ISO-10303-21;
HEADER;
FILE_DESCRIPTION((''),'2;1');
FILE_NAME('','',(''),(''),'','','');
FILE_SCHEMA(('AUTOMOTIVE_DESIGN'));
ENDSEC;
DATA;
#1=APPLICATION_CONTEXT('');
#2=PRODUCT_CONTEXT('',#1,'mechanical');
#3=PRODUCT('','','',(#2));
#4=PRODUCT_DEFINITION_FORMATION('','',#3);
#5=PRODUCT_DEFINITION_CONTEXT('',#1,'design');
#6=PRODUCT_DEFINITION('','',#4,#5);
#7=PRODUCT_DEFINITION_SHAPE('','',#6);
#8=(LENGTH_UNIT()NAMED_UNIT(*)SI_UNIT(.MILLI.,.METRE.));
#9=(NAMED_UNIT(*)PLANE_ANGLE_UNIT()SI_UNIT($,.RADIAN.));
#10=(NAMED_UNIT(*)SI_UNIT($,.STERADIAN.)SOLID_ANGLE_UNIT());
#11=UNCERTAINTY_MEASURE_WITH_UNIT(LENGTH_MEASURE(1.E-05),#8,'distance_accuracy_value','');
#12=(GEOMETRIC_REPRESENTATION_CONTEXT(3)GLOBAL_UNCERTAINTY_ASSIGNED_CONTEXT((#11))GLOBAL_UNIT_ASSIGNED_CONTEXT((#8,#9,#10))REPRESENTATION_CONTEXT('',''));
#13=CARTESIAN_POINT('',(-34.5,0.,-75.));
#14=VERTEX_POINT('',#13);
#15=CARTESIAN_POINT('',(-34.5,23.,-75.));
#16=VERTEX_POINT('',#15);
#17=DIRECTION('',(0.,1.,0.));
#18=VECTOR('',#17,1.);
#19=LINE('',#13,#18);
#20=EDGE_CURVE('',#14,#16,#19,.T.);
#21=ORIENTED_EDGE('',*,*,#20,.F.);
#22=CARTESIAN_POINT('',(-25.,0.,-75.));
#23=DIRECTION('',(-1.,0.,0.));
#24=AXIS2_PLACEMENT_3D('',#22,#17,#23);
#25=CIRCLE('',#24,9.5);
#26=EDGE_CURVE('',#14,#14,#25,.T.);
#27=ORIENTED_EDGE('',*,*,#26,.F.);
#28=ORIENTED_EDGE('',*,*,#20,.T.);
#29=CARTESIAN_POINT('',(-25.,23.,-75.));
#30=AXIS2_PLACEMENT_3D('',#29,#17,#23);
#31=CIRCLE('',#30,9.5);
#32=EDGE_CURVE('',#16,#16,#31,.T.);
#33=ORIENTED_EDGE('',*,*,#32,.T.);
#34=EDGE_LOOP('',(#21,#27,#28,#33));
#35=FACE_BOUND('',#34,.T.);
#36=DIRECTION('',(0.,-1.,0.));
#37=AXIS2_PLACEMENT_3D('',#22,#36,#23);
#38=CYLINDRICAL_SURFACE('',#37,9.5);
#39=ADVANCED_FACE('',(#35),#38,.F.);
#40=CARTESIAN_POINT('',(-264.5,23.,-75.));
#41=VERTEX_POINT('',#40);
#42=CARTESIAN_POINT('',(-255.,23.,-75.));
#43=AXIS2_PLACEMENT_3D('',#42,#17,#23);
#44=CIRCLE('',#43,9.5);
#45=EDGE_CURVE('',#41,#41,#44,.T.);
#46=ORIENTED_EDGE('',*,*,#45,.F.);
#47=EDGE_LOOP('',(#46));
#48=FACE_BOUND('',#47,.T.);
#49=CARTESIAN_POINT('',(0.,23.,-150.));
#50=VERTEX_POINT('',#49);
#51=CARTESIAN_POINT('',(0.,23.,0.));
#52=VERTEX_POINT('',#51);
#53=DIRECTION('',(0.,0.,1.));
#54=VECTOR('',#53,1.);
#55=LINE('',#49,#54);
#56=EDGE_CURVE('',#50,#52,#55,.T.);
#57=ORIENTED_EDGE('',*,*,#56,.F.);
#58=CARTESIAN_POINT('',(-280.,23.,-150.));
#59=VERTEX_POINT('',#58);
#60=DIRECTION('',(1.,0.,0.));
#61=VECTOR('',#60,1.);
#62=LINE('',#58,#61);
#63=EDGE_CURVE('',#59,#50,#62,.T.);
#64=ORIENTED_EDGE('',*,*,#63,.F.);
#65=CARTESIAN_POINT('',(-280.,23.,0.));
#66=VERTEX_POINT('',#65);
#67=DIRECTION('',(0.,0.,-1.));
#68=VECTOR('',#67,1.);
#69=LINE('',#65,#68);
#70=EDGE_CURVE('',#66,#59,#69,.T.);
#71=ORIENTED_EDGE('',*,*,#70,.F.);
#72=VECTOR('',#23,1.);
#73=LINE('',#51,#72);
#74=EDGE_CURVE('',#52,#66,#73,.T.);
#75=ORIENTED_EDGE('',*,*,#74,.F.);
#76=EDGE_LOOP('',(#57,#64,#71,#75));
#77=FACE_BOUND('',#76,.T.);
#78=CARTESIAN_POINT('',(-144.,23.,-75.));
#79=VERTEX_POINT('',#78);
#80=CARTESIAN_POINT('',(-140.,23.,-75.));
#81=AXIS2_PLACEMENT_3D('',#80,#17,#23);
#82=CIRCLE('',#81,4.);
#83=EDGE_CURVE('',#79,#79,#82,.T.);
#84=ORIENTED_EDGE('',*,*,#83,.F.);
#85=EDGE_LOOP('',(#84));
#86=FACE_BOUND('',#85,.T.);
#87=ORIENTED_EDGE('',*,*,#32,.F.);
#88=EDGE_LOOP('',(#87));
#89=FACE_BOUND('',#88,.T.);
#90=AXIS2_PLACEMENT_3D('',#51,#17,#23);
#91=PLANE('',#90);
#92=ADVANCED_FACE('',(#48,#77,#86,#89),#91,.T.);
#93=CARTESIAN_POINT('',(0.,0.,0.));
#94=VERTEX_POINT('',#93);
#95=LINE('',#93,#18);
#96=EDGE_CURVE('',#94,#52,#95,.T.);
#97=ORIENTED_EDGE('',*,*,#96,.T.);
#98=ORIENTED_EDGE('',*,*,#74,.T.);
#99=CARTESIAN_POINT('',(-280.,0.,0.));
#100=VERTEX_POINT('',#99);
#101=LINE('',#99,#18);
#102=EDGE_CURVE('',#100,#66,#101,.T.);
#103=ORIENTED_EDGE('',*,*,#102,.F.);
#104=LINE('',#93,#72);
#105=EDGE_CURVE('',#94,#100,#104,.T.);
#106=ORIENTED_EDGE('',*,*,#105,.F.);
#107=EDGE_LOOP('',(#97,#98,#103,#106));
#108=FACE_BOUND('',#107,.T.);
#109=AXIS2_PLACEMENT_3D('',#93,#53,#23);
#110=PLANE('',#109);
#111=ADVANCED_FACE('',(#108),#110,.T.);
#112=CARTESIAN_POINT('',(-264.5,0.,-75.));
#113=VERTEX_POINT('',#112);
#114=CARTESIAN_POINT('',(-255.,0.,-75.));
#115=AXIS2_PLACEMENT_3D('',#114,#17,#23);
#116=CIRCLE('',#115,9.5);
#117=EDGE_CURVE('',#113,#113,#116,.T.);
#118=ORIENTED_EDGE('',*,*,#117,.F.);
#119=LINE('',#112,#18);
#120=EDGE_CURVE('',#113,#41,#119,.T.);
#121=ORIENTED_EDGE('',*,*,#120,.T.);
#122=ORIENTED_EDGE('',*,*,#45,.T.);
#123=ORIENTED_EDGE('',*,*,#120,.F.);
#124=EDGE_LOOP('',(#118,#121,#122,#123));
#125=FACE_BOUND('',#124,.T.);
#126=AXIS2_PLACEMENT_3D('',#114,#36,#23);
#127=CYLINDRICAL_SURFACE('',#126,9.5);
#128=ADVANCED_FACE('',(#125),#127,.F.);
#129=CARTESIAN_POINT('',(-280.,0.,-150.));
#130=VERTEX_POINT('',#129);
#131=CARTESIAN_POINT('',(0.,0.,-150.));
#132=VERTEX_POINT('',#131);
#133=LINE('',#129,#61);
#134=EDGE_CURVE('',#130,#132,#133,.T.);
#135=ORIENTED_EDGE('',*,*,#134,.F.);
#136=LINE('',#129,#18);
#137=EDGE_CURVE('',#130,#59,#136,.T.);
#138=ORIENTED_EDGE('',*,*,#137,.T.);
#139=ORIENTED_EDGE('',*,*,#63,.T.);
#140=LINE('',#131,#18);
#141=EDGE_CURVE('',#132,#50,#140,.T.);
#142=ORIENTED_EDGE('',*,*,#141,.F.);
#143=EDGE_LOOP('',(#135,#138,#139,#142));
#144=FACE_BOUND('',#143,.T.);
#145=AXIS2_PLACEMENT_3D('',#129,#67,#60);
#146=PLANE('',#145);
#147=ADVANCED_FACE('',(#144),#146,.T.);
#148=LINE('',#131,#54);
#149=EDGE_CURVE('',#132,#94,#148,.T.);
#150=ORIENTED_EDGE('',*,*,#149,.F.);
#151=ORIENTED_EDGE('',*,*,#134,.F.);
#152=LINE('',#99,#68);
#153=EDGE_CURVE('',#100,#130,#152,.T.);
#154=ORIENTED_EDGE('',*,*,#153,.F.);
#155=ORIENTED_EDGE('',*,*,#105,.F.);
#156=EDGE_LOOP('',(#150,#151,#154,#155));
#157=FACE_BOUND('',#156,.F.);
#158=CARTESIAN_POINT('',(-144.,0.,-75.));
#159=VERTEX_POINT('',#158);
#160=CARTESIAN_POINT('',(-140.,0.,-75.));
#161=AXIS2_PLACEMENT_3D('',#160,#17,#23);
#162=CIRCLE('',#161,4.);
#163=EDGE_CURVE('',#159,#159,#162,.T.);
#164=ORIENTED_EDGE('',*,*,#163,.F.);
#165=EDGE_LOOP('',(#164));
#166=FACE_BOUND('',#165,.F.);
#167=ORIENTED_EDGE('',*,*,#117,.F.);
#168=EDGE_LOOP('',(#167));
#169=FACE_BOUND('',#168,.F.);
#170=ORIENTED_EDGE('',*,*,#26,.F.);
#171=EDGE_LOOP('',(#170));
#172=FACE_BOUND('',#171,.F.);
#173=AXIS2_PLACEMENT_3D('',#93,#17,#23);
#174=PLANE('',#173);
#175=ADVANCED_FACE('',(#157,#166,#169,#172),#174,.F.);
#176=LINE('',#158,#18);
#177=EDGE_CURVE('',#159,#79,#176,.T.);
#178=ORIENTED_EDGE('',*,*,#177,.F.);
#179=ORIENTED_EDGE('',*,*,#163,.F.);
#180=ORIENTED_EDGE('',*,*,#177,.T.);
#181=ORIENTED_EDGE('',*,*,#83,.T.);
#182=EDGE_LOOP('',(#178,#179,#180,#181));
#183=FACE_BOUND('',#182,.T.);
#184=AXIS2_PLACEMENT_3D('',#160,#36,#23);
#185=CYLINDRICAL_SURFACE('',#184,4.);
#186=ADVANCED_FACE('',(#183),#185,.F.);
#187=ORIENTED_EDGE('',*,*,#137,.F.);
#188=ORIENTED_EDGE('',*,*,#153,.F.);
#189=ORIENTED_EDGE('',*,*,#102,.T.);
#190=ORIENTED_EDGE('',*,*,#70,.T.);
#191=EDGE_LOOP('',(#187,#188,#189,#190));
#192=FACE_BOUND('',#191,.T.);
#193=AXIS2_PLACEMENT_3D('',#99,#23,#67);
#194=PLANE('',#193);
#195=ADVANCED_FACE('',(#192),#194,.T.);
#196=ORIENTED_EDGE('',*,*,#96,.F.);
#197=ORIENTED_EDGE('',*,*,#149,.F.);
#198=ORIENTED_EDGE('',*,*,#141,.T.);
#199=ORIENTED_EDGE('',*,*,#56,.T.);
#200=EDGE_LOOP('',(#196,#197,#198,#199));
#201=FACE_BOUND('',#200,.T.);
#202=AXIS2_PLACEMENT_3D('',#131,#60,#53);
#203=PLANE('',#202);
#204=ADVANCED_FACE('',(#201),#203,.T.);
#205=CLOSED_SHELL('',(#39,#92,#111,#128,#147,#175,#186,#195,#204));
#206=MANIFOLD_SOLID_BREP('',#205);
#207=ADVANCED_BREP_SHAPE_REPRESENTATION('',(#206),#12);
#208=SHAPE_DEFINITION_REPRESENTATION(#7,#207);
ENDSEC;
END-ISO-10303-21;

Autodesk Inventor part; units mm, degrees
ref_plane "YZ Plane" through (0, 0, 0) normal (1, 0, 0) x (0, 1, 0)
ref_plane "XZ Plane" through (0, 0, 0) normal (0, 1, 0) x (-1, 0, 0)
ref_plane "XY Plane" through (0, 0, 0) normal (0, 0, 1) x (1, 0, 0)
sketch "Sketch1" plane through (0, 0, 0) normal (0, 1, 0) x (-1, 0, 0)
  point P0 (0, 0)
sketch "Sketch2" plane through (0, 0, 0) normal (0, 1, 0) x (-1, 0, 0)
  line L0 (0, 0) -> (280, 0)
  line L1 (280, 0) -> (280, -150)
  line L2 (280, -150) -> (0, -150)
  line L3 (0, -150) -> (0, 0)
  circle A0 centre (140, -75) radius 4
  circle A1 centre (25, -75) radius 9.5
  circle A2 centre (255, -75) radius 9.5
  dimension "d0" = 280
  dimension "d1" = 150
  dimension "d2" = 8
  dimension "d3" = 19
  dimension "d4" = 115
  dimension "d5" = 115
  dimension "d6" = 19
  dimension "d7" = 150
extrude "Extrusion1" add sketch "Sketch2" along normal blind 23
properties part number "bottom plate"
